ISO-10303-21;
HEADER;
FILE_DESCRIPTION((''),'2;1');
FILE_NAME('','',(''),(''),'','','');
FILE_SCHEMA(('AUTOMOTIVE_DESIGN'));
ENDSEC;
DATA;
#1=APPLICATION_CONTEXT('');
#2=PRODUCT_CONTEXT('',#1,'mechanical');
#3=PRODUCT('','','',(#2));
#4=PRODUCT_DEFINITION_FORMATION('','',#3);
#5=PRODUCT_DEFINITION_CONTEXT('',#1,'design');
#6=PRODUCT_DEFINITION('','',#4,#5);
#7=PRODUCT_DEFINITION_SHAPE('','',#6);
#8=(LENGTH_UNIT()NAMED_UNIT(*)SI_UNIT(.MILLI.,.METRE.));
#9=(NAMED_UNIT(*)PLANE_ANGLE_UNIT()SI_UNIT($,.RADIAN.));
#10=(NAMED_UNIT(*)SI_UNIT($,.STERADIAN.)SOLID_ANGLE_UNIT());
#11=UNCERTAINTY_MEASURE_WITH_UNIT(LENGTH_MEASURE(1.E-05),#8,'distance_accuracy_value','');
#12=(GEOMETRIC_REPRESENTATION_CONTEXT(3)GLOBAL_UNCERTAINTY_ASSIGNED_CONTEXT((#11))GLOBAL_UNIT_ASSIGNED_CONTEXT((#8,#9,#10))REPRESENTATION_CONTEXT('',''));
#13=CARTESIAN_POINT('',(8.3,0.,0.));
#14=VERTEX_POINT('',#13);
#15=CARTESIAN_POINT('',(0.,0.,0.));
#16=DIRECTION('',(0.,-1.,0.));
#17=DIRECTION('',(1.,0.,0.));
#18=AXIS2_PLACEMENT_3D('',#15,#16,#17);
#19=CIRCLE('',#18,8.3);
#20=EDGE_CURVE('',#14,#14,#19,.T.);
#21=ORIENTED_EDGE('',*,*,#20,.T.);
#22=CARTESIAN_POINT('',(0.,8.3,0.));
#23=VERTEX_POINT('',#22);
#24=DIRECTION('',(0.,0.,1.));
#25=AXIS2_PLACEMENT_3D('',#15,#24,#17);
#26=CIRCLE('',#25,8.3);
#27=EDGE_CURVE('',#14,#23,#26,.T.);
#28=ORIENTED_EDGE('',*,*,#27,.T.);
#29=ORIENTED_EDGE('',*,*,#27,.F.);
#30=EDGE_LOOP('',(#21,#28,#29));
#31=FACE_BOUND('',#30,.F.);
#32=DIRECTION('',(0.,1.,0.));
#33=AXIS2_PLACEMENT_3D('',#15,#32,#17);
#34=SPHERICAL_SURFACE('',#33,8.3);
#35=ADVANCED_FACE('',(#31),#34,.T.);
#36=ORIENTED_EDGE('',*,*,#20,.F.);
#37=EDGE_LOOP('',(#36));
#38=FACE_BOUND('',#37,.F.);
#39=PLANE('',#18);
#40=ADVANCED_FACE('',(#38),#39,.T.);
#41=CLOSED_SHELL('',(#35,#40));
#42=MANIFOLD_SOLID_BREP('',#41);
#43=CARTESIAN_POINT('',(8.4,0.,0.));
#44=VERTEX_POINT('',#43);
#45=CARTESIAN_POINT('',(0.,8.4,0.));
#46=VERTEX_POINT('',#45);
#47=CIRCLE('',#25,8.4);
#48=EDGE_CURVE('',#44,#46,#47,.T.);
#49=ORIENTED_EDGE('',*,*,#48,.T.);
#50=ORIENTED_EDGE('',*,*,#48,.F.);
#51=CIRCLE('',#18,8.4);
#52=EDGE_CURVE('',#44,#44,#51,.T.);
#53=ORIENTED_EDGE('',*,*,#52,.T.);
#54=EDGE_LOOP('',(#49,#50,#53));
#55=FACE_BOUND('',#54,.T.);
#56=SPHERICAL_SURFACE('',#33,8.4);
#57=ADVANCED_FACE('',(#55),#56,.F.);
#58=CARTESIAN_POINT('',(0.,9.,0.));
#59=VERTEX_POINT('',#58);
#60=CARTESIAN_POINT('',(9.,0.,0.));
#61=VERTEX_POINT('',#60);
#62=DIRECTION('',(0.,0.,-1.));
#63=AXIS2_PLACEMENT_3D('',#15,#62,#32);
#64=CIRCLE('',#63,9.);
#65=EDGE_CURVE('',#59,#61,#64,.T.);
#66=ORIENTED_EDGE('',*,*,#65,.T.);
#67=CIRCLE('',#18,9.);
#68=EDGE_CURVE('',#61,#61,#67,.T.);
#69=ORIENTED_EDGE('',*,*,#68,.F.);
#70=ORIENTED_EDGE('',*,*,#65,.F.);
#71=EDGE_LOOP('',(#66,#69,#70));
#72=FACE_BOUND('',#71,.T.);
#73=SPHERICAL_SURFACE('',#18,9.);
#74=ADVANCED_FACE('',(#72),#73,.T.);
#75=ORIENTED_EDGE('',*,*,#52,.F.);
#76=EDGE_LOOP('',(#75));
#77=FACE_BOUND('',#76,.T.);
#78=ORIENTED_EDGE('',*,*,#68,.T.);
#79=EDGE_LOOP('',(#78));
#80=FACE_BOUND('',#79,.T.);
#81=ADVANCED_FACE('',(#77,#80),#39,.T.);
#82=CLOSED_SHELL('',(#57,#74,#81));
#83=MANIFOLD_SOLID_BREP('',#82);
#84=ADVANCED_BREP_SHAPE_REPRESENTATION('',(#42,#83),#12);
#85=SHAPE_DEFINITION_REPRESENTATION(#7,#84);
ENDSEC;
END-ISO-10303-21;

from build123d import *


with BuildPart() as part:
    # Sketch1 → Revolve1 (revolve)
    with BuildSketch(Plane.XY):
        with BuildLine():
            Line((0, 8.4), (0, 9))
            ThreePointArc((0, 9), (6.363961031, 6.363961031), (9, 0))
            Line((9, 0), (8.4, 0))
            ThreePointArc((8.4, 0), (5.939696962, 5.939696962), (0, 8.4))
        make_face()
    revolve(axis=Axis((0, 8.3, 0), (0, -1, 0)))


with BuildPart() as body_2:
    # Sketch2 → Revolve2 (revolve)
    with BuildSketch(Plane.XY):
        with BuildLine():
            Line((0, 8.3), (0, 0))
            Line((0, 0), (8.3, 0))
            ThreePointArc((8.3, 0), (5.868986284, 5.868986284), (0, 8.3))
        make_face()
    revolve(axis=Axis((0, 8.3, 0), (0, -1, 0)))


solid = Compound([part.part, body_2.part])
